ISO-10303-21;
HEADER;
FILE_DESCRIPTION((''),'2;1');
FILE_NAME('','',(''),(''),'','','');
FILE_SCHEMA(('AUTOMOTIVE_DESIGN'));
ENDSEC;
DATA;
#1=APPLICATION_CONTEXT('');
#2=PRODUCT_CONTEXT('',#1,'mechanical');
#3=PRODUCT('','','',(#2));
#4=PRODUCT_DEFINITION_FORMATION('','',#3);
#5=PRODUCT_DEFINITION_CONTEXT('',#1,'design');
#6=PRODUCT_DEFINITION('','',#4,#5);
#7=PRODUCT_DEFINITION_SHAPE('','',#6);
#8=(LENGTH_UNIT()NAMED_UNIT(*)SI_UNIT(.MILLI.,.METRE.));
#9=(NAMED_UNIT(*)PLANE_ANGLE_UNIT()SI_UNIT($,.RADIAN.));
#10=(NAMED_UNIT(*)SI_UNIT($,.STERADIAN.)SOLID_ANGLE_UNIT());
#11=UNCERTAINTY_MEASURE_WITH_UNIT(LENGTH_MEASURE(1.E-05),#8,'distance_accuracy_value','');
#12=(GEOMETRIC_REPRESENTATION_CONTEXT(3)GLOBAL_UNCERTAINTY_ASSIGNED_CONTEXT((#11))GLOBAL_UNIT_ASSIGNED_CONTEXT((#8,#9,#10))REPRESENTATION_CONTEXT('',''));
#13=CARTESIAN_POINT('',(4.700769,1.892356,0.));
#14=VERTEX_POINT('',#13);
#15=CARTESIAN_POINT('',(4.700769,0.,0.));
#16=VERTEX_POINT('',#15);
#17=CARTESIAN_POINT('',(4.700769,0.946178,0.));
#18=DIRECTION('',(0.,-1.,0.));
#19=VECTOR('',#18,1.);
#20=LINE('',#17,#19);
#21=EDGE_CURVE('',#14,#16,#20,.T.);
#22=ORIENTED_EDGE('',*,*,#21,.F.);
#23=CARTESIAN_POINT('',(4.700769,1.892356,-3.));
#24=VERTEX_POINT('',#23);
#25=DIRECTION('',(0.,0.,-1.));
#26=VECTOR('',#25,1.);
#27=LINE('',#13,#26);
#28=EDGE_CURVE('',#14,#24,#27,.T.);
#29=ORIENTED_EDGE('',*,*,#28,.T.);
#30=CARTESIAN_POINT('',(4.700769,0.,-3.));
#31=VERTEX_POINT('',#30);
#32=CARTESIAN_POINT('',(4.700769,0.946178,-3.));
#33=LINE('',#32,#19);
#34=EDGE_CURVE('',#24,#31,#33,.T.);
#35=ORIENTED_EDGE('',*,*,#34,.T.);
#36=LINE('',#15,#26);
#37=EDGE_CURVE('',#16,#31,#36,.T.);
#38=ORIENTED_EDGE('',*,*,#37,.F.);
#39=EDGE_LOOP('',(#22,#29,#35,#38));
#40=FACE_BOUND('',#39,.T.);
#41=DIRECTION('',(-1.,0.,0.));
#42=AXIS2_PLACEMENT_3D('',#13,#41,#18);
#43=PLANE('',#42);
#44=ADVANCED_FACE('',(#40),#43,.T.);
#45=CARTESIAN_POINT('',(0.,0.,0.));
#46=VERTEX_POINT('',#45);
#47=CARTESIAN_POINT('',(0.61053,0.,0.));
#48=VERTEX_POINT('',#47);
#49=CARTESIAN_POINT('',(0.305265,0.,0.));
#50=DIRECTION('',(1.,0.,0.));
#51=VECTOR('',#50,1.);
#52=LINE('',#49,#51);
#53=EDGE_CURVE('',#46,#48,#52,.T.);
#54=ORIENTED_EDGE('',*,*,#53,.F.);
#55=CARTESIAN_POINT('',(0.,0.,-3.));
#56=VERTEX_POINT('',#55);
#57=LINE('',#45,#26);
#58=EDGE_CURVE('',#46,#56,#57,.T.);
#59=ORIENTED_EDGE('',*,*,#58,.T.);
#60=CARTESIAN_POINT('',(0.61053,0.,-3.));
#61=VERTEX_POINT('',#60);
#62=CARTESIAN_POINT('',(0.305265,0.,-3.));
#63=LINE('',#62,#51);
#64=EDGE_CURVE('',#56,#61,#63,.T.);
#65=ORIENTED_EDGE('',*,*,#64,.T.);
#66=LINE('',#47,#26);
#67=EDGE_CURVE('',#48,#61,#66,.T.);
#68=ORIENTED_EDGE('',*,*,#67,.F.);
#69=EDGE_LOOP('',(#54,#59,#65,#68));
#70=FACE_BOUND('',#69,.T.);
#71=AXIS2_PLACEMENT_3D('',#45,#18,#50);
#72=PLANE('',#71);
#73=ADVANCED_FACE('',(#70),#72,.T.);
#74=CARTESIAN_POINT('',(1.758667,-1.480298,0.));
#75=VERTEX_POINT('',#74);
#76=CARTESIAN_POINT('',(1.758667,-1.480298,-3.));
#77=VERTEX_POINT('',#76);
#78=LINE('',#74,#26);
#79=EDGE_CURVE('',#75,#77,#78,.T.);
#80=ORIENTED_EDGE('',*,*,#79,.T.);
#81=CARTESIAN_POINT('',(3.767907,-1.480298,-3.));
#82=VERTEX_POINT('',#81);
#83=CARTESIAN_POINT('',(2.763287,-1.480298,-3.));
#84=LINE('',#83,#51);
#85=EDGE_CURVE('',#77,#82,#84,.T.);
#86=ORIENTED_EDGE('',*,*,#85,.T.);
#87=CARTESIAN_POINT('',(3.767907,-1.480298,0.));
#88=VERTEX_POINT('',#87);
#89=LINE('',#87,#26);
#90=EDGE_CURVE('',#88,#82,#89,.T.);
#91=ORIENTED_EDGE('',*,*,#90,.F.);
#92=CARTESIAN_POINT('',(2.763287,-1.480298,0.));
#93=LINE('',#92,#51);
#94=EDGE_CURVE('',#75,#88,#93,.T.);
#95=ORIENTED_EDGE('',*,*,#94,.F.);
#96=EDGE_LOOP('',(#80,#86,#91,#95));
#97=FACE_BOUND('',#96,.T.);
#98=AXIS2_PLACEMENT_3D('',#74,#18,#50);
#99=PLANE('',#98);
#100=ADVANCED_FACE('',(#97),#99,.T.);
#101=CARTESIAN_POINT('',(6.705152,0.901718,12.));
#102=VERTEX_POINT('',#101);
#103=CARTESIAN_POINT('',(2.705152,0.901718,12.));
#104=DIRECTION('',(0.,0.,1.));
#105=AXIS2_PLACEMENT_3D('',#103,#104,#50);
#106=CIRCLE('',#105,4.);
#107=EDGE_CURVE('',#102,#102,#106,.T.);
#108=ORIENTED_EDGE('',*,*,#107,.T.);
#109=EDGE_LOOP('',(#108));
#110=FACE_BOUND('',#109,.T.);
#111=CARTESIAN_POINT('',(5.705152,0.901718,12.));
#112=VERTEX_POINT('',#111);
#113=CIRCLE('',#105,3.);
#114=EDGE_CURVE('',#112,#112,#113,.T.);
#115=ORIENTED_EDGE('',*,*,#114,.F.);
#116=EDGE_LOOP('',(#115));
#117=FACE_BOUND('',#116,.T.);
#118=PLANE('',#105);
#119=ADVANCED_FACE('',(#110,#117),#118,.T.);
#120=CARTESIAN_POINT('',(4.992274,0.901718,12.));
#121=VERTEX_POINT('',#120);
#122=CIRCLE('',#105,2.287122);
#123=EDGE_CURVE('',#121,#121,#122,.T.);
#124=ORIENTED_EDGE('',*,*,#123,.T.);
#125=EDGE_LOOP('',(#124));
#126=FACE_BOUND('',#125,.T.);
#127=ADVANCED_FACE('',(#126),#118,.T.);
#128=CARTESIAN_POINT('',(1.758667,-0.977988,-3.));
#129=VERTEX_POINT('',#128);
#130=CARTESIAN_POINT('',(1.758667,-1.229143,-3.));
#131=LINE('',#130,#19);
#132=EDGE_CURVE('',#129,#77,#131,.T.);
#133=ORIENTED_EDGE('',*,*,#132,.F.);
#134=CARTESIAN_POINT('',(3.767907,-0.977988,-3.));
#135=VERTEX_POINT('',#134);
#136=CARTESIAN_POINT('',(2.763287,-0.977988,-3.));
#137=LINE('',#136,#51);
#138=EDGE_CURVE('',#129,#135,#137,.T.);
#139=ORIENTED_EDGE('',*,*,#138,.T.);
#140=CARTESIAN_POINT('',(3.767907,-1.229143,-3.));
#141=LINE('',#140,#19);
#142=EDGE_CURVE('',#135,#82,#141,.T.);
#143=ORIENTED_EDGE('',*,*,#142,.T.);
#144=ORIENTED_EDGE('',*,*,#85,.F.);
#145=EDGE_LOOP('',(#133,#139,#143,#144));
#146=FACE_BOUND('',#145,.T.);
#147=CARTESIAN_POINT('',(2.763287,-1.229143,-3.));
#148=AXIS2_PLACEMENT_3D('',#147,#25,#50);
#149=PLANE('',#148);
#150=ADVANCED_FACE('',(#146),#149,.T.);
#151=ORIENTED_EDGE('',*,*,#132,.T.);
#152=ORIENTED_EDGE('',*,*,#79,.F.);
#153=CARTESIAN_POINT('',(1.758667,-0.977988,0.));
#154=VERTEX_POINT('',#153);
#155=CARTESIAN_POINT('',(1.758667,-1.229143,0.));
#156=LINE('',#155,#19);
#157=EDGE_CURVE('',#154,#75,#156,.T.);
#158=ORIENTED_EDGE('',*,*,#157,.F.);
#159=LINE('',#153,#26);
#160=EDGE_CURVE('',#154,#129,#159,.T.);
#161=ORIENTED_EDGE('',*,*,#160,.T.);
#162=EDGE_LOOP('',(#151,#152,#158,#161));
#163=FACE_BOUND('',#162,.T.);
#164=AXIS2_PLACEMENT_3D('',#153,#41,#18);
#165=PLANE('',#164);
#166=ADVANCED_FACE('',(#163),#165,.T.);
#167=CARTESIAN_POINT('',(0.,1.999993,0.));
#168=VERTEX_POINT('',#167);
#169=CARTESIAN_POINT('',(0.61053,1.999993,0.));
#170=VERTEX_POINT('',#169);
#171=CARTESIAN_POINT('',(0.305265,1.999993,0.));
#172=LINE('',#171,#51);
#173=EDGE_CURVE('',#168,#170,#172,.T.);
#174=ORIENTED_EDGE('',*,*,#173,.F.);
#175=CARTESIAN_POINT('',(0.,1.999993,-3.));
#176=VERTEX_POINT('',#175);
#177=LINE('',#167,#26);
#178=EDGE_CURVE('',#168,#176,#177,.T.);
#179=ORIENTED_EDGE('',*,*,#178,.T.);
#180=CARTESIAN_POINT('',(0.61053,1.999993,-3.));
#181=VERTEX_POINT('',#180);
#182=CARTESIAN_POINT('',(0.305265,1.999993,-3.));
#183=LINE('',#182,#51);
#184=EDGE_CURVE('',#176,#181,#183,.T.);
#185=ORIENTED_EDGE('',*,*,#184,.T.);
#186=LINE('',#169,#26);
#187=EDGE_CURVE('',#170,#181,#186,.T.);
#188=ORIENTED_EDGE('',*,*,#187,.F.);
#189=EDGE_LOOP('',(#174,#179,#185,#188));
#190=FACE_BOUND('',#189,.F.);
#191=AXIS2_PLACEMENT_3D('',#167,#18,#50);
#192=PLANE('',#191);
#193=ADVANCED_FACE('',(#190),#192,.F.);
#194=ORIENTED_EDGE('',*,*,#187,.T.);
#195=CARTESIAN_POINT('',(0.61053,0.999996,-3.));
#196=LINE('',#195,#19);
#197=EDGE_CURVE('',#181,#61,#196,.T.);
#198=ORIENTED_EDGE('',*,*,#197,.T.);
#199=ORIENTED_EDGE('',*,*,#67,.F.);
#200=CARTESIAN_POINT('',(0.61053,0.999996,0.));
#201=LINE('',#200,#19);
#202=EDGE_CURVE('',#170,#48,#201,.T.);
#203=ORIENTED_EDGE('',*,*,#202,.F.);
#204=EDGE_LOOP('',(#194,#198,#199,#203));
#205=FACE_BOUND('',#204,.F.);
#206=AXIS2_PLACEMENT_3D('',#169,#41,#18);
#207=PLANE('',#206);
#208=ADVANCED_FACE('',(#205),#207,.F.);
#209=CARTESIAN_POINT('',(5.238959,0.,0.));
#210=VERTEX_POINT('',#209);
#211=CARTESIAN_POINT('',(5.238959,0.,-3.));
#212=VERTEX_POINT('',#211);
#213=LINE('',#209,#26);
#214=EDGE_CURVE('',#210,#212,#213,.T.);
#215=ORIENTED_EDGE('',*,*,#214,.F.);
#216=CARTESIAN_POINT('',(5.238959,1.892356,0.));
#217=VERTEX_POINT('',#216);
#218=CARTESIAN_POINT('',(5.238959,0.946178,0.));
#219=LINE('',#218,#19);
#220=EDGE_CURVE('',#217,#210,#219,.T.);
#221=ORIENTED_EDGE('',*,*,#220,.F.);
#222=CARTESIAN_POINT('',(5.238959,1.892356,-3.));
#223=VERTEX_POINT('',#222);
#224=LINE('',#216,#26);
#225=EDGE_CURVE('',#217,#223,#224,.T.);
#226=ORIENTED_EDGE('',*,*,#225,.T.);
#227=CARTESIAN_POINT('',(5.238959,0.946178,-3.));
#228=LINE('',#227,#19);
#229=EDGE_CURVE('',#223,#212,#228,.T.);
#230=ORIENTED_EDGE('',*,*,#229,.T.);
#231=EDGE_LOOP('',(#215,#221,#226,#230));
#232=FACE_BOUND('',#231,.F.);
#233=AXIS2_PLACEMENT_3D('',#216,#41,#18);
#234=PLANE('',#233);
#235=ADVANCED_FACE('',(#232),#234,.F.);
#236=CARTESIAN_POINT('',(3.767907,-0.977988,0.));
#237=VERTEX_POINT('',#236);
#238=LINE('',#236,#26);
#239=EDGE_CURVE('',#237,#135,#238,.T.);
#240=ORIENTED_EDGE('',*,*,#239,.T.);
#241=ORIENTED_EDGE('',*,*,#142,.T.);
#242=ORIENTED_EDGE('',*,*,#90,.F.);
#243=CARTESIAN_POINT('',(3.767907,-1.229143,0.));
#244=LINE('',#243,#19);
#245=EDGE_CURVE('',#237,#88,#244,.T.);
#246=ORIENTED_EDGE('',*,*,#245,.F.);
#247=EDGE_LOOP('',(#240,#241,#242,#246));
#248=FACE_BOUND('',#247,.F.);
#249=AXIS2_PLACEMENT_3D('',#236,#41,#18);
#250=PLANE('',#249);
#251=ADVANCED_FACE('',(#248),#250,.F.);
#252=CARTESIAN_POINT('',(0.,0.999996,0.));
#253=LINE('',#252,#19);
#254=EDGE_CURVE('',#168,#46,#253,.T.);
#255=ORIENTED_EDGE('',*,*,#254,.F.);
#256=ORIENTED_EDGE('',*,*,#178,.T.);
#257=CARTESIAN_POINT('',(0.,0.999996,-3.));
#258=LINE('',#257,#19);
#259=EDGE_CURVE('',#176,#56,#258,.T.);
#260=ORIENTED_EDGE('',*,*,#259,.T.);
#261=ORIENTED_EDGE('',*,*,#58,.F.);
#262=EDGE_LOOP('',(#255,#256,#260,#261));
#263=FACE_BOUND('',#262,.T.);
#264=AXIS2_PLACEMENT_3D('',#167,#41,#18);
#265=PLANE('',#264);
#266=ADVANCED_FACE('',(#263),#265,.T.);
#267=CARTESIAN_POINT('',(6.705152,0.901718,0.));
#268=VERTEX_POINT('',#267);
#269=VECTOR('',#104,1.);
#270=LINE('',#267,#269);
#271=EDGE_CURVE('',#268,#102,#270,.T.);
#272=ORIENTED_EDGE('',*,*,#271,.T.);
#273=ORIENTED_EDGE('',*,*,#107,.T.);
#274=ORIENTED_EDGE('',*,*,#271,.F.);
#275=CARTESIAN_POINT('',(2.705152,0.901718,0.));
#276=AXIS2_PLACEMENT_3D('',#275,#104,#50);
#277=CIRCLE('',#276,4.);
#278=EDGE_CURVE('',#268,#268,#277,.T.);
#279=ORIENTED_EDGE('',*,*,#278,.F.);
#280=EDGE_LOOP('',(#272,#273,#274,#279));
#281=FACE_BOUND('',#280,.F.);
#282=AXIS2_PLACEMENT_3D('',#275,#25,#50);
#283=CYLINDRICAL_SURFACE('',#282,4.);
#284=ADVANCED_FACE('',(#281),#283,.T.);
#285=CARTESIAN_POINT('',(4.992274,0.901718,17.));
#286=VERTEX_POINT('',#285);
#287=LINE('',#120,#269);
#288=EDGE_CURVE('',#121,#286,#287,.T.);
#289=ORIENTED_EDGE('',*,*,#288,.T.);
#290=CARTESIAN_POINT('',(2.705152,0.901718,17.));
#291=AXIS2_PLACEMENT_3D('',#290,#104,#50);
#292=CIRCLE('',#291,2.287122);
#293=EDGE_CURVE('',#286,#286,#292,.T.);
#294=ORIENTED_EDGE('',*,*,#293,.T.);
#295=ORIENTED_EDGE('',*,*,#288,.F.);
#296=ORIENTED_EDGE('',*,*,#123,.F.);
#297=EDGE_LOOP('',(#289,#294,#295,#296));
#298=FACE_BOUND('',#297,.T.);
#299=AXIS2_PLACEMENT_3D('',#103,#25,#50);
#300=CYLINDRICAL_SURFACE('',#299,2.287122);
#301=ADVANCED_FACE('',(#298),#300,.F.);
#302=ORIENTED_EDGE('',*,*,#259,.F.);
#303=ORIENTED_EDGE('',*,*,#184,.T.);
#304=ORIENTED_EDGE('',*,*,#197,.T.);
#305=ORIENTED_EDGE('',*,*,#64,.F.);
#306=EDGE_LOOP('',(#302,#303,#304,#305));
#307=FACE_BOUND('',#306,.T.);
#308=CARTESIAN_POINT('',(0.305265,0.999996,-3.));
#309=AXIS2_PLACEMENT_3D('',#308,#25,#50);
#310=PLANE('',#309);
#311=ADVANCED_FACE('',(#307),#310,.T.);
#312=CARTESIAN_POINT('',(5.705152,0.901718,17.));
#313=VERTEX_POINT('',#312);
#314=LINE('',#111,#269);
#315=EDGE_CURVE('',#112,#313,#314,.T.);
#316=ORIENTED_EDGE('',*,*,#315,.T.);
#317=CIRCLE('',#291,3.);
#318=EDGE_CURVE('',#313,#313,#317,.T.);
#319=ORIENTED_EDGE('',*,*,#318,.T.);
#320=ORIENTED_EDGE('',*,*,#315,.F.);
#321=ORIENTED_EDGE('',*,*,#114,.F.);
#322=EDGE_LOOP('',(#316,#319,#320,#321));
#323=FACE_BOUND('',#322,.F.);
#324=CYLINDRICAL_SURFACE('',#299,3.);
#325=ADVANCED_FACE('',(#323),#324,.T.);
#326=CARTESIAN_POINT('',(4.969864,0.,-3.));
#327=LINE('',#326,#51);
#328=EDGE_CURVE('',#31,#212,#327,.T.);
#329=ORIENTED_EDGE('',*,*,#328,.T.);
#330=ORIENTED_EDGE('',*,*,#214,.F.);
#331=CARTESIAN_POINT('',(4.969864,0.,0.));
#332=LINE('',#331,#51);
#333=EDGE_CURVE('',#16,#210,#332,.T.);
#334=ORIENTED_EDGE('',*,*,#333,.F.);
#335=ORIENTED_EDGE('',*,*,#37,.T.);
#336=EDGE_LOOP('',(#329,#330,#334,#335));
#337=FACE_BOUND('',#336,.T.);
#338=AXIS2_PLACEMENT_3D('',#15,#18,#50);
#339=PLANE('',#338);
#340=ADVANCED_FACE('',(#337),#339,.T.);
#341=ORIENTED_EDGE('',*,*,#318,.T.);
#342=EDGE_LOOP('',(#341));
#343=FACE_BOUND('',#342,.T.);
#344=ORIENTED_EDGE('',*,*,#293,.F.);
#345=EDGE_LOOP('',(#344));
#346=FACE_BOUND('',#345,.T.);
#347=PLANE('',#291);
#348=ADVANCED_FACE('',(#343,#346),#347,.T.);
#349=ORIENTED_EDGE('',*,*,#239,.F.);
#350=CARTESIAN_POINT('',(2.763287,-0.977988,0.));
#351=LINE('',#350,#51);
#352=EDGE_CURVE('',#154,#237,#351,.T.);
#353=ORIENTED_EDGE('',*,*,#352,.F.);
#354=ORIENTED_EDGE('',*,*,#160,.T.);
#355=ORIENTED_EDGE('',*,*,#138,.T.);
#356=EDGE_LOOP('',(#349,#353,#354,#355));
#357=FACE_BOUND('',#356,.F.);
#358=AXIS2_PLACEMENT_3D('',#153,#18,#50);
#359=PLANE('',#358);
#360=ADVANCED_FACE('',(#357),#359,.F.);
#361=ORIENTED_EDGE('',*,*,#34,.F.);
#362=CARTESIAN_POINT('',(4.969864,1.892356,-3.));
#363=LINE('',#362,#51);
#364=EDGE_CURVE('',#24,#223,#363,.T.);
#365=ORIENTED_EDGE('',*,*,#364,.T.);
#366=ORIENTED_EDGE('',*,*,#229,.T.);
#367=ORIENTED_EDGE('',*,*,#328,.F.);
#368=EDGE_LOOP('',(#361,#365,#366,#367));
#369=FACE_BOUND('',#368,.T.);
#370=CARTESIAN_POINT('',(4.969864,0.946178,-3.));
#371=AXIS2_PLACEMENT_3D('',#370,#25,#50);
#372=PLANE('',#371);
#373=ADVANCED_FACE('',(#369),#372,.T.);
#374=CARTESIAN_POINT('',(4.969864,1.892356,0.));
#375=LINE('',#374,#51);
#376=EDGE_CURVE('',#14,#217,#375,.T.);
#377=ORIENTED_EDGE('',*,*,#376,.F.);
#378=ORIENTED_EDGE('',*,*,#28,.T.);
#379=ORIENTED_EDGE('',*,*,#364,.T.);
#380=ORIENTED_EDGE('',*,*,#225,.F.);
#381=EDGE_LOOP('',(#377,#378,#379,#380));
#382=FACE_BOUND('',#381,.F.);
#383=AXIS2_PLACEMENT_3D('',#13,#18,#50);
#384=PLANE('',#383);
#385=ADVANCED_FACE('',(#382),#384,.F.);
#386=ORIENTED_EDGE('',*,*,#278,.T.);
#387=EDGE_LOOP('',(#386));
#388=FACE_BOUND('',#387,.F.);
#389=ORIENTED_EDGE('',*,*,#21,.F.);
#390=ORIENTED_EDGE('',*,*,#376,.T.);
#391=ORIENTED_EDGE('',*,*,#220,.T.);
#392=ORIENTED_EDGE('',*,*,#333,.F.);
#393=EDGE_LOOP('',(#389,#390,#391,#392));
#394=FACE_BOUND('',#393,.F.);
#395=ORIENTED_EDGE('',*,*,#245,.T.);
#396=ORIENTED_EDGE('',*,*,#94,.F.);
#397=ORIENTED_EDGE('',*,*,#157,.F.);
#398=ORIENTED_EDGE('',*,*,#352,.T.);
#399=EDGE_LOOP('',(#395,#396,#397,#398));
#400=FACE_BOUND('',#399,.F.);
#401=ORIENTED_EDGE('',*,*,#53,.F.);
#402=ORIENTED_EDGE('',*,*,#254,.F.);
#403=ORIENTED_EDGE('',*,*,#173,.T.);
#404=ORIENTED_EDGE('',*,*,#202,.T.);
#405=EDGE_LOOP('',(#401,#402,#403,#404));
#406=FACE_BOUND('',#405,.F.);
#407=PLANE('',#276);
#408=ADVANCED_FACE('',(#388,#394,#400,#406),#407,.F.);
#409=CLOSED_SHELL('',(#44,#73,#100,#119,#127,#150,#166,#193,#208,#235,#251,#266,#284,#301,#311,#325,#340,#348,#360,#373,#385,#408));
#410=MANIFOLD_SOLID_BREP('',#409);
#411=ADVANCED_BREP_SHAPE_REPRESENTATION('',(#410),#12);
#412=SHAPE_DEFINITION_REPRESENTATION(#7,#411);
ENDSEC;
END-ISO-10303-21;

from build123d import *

# Parameters (mm, degrees)
F0_R     = 4
F1_DEPTH = 12
F2_R     = 3
F2_R_2   = 2.287122
F3_DEPTH = 5
F4_W     = 0.61053
F4_H     = 1.999993
F4_W_2   = 0.53819
F4_H_2   = 1.892356
F4_W_3   = 2.00924
F4_H_3   = 0.50231
F5_DEPTH = 3


with BuildPart() as f1:
    # F0 (on Top) → F1 (new body)
    with BuildSketch(Plane.XY):
        with Locations((2.705152, 0.901718)):
            Circle(F0_R)
    extrude(amount=F1_DEPTH)

    # F2 (on face) → F3 (join)
    with BuildSketch(Plane.XY.offset(12)):
        with Locations((2.705152, 0.901718)):
            Circle(F2_R)
        with Locations((2.705152, 0.901718)):
            Circle(F2_R_2, mode=Mode.SUBTRACT)
    extrude(amount=F3_DEPTH)

    # F4 (on face) → F5 (join)
    with BuildSketch(Plane(origin=(0, 0, 0), x_dir=(1, 0, 0), z_dir=(0, 0, -1))):
        with Locations((0.305265, -0.999996)):
            Rectangle(F4_W, F4_H)
        with Locations((4.969864, -0.946178)):
            Rectangle(F4_W_2, F4_H_2)
        with Locations((2.763287, 1.229143)):
            Rectangle(F4_W_3, F4_H_3)
    extrude(amount=F5_DEPTH)


solid = f1.part
